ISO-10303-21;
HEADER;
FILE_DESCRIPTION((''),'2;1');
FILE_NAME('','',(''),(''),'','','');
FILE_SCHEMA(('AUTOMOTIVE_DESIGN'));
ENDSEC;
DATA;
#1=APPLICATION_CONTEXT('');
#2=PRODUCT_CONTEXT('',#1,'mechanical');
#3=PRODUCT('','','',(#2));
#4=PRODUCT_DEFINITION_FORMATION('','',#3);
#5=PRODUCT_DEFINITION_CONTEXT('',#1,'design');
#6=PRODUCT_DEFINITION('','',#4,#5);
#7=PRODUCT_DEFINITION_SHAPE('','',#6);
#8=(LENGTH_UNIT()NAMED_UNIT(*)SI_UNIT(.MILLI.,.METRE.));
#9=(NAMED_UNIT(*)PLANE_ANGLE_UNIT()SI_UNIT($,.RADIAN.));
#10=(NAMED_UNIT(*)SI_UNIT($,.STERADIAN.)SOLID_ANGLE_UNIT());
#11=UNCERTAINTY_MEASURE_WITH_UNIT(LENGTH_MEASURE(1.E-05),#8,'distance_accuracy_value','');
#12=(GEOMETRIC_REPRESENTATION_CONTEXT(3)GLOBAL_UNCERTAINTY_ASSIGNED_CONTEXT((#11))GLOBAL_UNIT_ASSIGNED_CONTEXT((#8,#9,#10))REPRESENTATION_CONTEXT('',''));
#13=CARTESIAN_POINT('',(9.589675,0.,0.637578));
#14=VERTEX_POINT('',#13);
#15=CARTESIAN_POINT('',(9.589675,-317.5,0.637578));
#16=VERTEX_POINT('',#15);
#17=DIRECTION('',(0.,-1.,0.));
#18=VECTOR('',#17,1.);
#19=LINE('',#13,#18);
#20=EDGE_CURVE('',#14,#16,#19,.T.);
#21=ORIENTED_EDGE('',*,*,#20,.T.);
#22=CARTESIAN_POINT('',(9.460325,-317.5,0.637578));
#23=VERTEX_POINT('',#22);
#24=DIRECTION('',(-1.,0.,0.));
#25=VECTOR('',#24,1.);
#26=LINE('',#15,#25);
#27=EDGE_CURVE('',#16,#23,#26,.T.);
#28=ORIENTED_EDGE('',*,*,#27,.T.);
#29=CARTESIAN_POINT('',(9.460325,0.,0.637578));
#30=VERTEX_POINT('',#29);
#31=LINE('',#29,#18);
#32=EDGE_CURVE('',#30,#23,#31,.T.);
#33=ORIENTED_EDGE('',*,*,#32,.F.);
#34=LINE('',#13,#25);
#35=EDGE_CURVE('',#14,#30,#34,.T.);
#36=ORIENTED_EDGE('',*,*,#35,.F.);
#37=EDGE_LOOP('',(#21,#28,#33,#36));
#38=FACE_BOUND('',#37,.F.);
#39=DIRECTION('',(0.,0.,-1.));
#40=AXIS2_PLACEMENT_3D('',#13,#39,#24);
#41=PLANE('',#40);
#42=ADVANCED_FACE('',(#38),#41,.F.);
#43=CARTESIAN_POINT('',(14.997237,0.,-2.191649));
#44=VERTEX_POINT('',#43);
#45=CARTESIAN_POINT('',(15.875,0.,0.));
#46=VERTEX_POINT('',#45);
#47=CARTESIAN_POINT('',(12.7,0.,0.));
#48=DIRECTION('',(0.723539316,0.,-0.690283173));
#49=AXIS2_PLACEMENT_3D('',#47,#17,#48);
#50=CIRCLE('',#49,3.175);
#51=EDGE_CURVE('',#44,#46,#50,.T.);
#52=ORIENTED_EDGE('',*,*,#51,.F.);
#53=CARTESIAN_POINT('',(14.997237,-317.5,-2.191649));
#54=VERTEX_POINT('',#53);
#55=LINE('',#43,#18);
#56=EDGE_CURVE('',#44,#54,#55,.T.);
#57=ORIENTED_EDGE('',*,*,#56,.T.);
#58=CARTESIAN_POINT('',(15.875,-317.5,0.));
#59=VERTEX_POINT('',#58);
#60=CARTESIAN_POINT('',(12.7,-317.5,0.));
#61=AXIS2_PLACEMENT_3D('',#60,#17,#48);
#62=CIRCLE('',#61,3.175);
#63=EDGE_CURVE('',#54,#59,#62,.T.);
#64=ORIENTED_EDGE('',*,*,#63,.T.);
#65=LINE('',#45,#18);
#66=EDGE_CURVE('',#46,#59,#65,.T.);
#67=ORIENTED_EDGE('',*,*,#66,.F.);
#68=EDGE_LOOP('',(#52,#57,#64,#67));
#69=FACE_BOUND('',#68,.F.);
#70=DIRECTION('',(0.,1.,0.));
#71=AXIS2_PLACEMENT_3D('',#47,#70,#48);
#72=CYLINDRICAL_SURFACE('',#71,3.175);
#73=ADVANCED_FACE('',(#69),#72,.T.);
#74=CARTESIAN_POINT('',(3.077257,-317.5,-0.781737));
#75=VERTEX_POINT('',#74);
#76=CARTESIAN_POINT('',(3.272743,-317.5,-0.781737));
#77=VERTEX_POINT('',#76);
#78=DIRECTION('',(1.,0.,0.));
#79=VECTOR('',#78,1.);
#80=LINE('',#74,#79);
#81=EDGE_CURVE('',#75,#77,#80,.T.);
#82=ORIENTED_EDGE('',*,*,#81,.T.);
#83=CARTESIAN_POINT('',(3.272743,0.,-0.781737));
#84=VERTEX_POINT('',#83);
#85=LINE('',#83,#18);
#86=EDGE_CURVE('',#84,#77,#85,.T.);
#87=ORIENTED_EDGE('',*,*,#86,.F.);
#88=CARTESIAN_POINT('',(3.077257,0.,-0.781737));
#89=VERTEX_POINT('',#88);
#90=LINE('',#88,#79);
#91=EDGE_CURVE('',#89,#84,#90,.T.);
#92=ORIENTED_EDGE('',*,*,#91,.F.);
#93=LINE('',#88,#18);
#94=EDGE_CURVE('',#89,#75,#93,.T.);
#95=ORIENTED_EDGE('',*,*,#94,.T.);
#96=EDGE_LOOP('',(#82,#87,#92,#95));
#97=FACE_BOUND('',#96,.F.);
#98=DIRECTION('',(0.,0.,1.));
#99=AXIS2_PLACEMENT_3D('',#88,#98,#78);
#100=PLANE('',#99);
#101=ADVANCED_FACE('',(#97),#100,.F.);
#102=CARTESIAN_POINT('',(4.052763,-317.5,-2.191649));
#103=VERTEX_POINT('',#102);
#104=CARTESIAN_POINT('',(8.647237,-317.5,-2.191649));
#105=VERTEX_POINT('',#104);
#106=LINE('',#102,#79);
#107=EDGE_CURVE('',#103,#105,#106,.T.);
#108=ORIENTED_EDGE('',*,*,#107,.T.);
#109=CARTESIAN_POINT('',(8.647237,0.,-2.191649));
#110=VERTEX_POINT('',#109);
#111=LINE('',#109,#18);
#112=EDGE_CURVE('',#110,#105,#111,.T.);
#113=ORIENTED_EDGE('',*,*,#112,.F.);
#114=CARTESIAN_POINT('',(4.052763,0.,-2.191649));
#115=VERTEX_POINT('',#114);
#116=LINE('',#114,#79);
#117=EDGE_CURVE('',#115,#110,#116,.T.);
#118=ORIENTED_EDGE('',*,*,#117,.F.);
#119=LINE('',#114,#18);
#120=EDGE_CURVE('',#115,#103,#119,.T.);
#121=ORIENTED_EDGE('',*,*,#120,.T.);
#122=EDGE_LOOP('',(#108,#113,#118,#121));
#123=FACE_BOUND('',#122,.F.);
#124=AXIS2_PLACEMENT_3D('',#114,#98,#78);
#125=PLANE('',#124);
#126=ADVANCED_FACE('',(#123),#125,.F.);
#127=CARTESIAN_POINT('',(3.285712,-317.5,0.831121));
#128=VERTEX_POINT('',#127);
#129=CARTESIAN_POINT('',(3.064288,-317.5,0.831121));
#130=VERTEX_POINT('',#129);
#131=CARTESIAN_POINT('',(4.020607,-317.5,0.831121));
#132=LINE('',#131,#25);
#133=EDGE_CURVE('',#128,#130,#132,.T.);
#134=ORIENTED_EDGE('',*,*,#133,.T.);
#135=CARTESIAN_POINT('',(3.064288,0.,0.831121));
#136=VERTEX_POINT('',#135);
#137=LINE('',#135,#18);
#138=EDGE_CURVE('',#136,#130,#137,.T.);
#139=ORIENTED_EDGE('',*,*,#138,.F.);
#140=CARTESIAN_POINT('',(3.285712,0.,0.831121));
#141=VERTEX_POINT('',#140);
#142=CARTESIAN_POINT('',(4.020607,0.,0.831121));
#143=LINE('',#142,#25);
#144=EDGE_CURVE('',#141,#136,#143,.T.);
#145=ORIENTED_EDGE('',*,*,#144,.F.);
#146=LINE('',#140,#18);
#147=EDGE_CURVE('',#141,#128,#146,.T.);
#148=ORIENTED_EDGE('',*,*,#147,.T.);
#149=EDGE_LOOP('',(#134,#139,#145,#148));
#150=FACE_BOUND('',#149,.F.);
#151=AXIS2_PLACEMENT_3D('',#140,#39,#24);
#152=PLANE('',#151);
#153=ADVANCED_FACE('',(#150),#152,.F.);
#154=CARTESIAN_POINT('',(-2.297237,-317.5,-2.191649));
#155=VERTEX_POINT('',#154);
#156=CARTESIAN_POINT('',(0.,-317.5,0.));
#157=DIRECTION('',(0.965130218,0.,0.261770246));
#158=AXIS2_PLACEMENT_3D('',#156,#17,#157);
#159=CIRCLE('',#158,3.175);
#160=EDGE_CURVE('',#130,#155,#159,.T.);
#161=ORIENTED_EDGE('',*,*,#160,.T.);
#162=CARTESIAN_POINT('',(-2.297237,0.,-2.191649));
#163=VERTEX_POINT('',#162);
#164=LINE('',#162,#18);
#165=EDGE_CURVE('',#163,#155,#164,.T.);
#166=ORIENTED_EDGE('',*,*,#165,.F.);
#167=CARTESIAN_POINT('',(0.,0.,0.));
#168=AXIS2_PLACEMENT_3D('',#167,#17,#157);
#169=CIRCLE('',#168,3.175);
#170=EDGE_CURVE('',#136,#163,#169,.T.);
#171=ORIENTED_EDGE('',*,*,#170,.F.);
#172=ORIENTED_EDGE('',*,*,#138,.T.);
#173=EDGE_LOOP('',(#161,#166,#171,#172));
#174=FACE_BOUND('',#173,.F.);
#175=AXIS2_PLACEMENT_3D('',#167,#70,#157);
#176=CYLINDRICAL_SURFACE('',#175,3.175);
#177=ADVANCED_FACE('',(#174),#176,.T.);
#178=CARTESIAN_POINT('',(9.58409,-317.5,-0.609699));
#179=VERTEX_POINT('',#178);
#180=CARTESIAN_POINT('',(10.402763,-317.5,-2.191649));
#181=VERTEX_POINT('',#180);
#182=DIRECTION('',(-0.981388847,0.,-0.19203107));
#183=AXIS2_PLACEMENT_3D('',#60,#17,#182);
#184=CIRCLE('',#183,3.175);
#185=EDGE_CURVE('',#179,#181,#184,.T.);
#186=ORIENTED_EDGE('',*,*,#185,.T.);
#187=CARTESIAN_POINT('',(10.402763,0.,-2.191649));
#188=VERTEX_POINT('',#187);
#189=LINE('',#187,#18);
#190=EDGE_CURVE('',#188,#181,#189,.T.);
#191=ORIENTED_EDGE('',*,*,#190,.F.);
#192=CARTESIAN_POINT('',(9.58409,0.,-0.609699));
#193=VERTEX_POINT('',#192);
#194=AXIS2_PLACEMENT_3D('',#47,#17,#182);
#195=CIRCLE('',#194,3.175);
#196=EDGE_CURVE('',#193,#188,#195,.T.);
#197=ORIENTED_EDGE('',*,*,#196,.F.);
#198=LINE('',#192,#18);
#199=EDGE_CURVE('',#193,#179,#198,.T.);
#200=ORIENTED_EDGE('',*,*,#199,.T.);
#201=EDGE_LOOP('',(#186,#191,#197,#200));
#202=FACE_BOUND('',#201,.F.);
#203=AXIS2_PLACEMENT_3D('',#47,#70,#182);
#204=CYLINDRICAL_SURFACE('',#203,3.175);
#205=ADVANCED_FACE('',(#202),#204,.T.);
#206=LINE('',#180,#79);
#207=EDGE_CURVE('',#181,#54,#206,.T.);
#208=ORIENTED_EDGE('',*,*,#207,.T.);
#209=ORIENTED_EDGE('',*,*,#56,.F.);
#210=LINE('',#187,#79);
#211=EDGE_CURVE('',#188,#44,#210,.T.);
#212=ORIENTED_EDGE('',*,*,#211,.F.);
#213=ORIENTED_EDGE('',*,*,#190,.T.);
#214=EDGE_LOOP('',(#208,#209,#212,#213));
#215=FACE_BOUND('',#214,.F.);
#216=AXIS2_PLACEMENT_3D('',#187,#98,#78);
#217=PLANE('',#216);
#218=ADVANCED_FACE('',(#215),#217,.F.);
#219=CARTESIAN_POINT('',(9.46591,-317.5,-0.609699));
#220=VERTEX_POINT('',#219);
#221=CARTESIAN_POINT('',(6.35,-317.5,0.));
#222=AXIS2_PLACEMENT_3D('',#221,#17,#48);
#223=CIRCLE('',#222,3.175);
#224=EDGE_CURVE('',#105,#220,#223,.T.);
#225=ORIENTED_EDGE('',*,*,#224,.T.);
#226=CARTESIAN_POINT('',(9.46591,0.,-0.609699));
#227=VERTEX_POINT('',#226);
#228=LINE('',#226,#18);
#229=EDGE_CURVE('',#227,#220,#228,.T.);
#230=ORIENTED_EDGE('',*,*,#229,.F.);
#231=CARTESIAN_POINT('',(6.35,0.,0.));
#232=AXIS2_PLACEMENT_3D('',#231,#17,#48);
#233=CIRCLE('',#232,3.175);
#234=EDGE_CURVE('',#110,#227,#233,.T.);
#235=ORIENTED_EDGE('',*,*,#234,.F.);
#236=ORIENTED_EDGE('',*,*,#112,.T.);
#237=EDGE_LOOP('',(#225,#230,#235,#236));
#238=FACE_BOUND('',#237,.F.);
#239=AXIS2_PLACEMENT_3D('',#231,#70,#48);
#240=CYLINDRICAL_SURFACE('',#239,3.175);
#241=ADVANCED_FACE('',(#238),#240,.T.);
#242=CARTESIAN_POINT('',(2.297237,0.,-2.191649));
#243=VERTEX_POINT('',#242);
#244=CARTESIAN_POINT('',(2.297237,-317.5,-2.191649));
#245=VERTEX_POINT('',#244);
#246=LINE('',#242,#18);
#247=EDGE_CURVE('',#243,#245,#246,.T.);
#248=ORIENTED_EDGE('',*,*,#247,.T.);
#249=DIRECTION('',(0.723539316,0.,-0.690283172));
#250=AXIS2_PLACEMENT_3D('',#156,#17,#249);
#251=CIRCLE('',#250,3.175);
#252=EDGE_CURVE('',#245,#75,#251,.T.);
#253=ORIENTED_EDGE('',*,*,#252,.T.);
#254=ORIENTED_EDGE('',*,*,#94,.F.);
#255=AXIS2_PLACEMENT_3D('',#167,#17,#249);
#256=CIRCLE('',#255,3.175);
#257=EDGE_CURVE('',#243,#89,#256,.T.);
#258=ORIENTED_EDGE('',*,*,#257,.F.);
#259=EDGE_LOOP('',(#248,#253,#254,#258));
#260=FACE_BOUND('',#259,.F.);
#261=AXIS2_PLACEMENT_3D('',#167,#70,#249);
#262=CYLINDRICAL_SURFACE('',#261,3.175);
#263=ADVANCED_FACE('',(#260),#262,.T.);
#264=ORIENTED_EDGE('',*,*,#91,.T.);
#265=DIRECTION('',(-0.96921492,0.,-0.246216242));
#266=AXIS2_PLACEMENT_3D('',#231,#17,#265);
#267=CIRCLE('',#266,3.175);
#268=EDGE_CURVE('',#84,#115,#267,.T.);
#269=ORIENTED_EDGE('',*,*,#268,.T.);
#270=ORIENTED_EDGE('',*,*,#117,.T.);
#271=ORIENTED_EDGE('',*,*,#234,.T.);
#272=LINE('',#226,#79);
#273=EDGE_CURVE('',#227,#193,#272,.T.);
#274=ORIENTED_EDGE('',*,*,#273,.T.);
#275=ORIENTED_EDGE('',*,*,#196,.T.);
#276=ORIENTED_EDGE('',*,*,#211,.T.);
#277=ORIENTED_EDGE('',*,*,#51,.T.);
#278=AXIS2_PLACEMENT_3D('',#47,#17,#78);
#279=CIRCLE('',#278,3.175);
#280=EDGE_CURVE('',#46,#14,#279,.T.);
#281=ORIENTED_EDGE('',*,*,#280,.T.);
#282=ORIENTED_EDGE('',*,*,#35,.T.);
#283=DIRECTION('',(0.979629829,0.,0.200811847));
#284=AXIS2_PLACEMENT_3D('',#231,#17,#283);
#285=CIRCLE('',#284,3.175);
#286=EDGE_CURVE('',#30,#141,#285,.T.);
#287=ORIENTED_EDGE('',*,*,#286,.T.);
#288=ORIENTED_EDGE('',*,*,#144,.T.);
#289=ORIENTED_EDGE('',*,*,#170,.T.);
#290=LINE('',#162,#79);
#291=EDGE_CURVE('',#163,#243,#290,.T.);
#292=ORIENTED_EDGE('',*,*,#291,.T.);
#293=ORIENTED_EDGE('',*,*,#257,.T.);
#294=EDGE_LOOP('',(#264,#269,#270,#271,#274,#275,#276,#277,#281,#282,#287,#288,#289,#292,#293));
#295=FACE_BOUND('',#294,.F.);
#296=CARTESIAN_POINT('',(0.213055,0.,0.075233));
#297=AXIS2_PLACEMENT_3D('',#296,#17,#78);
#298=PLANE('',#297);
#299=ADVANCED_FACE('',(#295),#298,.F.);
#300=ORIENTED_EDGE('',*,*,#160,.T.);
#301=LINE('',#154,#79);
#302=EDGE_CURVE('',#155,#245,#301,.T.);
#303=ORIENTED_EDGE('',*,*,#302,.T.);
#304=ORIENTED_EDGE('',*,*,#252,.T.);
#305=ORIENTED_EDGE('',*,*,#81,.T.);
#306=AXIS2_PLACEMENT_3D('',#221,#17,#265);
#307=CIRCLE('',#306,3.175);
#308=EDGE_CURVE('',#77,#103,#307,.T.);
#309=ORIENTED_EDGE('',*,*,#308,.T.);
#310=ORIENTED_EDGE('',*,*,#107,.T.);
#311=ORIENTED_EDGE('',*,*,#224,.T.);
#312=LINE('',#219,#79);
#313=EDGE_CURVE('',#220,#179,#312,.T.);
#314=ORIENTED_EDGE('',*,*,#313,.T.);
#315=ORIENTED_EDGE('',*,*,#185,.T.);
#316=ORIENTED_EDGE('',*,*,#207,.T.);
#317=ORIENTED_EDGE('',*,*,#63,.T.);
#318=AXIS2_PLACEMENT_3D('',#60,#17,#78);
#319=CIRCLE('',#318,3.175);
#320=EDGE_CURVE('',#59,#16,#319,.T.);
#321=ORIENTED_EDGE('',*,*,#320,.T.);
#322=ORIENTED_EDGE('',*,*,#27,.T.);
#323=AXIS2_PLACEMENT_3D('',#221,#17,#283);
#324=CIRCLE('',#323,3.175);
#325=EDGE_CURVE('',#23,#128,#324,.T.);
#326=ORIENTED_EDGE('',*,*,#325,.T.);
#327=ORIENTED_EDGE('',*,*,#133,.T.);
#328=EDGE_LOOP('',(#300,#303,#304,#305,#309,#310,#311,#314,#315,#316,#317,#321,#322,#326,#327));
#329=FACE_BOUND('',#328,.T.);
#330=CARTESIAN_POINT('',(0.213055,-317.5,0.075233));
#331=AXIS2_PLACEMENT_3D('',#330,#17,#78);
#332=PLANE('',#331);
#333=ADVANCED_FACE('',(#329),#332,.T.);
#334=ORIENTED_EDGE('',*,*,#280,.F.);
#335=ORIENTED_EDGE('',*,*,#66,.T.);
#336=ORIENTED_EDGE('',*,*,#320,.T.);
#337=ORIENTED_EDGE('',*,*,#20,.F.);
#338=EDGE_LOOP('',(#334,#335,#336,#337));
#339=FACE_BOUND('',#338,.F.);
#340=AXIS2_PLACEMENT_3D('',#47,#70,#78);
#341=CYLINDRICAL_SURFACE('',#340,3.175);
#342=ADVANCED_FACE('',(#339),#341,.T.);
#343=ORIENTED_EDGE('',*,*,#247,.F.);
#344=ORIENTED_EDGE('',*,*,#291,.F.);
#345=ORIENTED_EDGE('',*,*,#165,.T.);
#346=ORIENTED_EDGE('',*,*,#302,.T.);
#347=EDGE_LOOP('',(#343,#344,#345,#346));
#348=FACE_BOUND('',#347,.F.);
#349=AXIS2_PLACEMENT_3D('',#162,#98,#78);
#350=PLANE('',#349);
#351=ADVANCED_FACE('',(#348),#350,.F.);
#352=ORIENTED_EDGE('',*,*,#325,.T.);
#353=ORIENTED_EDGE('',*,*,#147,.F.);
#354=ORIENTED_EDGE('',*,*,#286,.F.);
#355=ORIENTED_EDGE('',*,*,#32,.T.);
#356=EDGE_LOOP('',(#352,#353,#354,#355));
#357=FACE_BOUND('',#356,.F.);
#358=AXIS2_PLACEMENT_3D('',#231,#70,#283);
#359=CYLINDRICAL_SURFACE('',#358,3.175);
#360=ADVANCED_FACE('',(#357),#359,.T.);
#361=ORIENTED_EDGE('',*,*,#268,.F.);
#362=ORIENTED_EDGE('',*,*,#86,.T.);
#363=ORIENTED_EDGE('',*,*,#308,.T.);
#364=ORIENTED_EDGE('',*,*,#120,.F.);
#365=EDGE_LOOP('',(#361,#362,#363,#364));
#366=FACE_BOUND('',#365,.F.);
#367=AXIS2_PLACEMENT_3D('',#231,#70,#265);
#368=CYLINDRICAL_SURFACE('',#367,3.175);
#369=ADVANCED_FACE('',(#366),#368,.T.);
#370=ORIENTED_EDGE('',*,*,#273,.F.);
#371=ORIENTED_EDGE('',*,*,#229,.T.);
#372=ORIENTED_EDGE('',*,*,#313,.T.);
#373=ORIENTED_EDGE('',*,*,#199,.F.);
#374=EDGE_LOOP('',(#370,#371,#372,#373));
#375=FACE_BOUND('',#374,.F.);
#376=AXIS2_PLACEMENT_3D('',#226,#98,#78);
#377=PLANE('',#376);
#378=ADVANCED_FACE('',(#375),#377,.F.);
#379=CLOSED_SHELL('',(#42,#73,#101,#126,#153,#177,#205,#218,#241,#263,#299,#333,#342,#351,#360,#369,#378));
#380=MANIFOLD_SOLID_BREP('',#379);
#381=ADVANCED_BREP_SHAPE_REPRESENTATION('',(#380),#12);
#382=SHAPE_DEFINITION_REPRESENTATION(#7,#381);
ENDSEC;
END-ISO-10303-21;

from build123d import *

# Parameters (mm, degrees)
F1_DEPTH = 317.5


with BuildPart() as f1:
    # F0 (on Front) → F1 (new body)
    with BuildSketch(Plane.XZ):
        with BuildLine():
            ThreePointArc((3.0642884432, 0.8311205311), (-1.5592869758, 2.7657275945), (-2.2972373281, -2.1916490728))
            Line((-2.2972373281, -2.1916490728), (2.2972373281, -2.1916490728))
            ThreePointArc((2.2972373281, -2.1916490728), (2.7781759552, -1.5369981658), (3.0772573724, -0.7817365695))
            Line((3.0772573724, -0.7817365695), (2.3432357702, -0.7817365695))
            Line((2.3432357702, -0.7817365695), (2.3432357702, 0.8311205311))
            Line((2.3432357702, 0.8311205311), (3.0642884432, 0.8311205311))
        make_face()
        with BuildLine():
            ThreePointArc((3.2857115568, 0.8311205311), (3.2027995927, 0.4192309584), (3.175, 0))
            ThreePointArc((3.175, 0), (3.1995304193, -0.3939116923), (3.2727426276, -0.7817365695))
            Line((3.2727426276, -0.7817365695), (4.0206070989, -0.7817365695))
            Line((4.0206070989, -0.7817365695), (4.0206070989, 0.8311205311))
            Line((4.0206070989, 0.8311205311), (3.2857115568, 0.8311205311))
        make_face()
        with BuildLine():
            ThreePointArc((3.175, 0), (3.1472004073, 0.4192309584), (3.0642884432, 0.8311205311))
            Line((3.0642884432, 0.8311205311), (2.3432357702, 0.8311205311))
            Line((2.3432357702, 0.8311205311), (2.3432357702, -0.7817365695))
            Line((2.3432357702, -0.7817365695), (3.0772573724, -0.7817365695))
            ThreePointArc((3.0772573724, -0.7817365695), (3.1504695807, -0.3939116923), (3.175, 0))
        make_face()
        with BuildLine():
            Line((3.2857115568, 0.8311205311), (3.0642884432, 0.8311205311))
            ThreePointArc((3.0642884432, 0.8311205311), (3.1472004073, 0.4192309584), (3.175, 0))
            ThreePointArc((3.175, 0), (3.2027995927, 0.4192309584), (3.2857115568, 0.8311205311))
        make_face()
        with BuildLine():
            ThreePointArc((3.175, 0), (3.1504695807, -0.3939116923), (3.0772573724, -0.7817365695))
            Line((3.0772573724, -0.7817365695), (3.2727426276, -0.7817365695))
            ThreePointArc((3.2727426276, -0.7817365695), (3.1995304193, -0.3939116923), (3.175, 0))
        make_face()
        with BuildLine():
            ThreePointArc((3.2727426276, -0.7817365695), (3.5718240448, -1.5369981658), (4.0527626719, -2.1916490728))
            Line((4.0527626719, -2.1916490728), (8.6472373281, -2.1916490728))
            ThreePointArc((8.6472373281, -2.1916490728), (9.1697839759, -1.4592612272), (9.4659095878, -0.6096986472))
            Line((9.4659095878, -0.6096986472), (9.0097114444, -0.6096986472))
            Line((9.0097114444, -0.6096986472), (9.0097114444, 0.6375776138))
            Line((9.0097114444, 0.6375776138), (9.4603247075, 0.6375776138))
            ThreePointArc((9.4603247075, 0.6375776138), (6.4494713507, 3.1734414207), (3.2857115568, 0.8311205311))
            Line((3.2857115568, 0.8311205311), (4.0206070989, 0.8311205311))
            Line((4.0206070989, 0.8311205311), (4.0206070989, -0.7817365695))
            Line((4.0206070989, -0.7817365695), (3.2727426276, -0.7817365695))
        make_face()
        with BuildLine():
            ThreePointArc((9.525, 0), (9.5087897957, 0.3204247599), (9.4603247075, 0.6375776138))
            Line((9.4603247075, 0.6375776138), (9.0097114444, 0.6375776138))
            Line((9.0097114444, 0.6375776138), (9.0097114444, -0.6096986472))
            Line((9.0097114444, -0.6096986472), (9.4659095878, -0.6096986472))
            ThreePointArc((9.4659095878, -0.6096986472), (9.5101928692, -0.3062776996), (9.525, 0))
        make_face()
        with BuildLine():
            ThreePointArc((9.5840904122, -0.6096986472), (9.8802160241, -1.4592612272), (10.4027626719, -2.1916490728))
            Line((10.4027626719, -2.1916490728), (14.9972373281, -2.1916490728))
            ThreePointArc((14.9972373281, -2.1916490728), (15.6474016961, -1.1804440866), (15.875, 0))
            ThreePointArc((15.875, 0), (13.0204247599, 3.1587897957), (9.5896752925, 0.6375776138))
            Line((9.5896752925, 0.6375776138), (10.278493166, 0.6375776138))
            Line((10.278493166, 0.6375776138), (10.278493166, -0.6096986472))
            Line((10.278493166, -0.6096986472), (9.5840904122, -0.6096986472))
        make_face()
        with BuildLine():
            ThreePointArc((9.5896752925, 0.6375776138), (9.5412102043, 0.3204247599), (9.525, 0))
            ThreePointArc((9.525, 0), (9.5398071308, -0.3062776996), (9.5840904122, -0.6096986472))
            Line((9.5840904122, -0.6096986472), (10.278493166, -0.6096986472))
            Line((10.278493166, -0.6096986472), (10.278493166, 0.6375776138))
            Line((10.278493166, 0.6375776138), (9.5896752925, 0.6375776138))
        make_face()
        with BuildLine():
            Line((9.5896752925, 0.6375776138), (9.4603247075, 0.6375776138))
            ThreePointArc((9.4603247075, 0.6375776138), (9.5087897957, 0.3204247599), (9.525, 0))
            ThreePointArc((9.525, 0), (9.5412102043, 0.3204247599), (9.5896752925, 0.6375776138))
        make_face()
        with BuildLine():
            ThreePointArc((9.525, 0), (9.5101928692, -0.3062776996), (9.4659095878, -0.6096986472))
            Line((9.4659095878, -0.6096986472), (9.5840904122, -0.6096986472))
            ThreePointArc((9.5840904122, -0.6096986472), (9.5398071308, -0.3062776996), (9.525, 0))
        make_face()
    extrude(amount=F1_DEPTH)


solid = f1.part
